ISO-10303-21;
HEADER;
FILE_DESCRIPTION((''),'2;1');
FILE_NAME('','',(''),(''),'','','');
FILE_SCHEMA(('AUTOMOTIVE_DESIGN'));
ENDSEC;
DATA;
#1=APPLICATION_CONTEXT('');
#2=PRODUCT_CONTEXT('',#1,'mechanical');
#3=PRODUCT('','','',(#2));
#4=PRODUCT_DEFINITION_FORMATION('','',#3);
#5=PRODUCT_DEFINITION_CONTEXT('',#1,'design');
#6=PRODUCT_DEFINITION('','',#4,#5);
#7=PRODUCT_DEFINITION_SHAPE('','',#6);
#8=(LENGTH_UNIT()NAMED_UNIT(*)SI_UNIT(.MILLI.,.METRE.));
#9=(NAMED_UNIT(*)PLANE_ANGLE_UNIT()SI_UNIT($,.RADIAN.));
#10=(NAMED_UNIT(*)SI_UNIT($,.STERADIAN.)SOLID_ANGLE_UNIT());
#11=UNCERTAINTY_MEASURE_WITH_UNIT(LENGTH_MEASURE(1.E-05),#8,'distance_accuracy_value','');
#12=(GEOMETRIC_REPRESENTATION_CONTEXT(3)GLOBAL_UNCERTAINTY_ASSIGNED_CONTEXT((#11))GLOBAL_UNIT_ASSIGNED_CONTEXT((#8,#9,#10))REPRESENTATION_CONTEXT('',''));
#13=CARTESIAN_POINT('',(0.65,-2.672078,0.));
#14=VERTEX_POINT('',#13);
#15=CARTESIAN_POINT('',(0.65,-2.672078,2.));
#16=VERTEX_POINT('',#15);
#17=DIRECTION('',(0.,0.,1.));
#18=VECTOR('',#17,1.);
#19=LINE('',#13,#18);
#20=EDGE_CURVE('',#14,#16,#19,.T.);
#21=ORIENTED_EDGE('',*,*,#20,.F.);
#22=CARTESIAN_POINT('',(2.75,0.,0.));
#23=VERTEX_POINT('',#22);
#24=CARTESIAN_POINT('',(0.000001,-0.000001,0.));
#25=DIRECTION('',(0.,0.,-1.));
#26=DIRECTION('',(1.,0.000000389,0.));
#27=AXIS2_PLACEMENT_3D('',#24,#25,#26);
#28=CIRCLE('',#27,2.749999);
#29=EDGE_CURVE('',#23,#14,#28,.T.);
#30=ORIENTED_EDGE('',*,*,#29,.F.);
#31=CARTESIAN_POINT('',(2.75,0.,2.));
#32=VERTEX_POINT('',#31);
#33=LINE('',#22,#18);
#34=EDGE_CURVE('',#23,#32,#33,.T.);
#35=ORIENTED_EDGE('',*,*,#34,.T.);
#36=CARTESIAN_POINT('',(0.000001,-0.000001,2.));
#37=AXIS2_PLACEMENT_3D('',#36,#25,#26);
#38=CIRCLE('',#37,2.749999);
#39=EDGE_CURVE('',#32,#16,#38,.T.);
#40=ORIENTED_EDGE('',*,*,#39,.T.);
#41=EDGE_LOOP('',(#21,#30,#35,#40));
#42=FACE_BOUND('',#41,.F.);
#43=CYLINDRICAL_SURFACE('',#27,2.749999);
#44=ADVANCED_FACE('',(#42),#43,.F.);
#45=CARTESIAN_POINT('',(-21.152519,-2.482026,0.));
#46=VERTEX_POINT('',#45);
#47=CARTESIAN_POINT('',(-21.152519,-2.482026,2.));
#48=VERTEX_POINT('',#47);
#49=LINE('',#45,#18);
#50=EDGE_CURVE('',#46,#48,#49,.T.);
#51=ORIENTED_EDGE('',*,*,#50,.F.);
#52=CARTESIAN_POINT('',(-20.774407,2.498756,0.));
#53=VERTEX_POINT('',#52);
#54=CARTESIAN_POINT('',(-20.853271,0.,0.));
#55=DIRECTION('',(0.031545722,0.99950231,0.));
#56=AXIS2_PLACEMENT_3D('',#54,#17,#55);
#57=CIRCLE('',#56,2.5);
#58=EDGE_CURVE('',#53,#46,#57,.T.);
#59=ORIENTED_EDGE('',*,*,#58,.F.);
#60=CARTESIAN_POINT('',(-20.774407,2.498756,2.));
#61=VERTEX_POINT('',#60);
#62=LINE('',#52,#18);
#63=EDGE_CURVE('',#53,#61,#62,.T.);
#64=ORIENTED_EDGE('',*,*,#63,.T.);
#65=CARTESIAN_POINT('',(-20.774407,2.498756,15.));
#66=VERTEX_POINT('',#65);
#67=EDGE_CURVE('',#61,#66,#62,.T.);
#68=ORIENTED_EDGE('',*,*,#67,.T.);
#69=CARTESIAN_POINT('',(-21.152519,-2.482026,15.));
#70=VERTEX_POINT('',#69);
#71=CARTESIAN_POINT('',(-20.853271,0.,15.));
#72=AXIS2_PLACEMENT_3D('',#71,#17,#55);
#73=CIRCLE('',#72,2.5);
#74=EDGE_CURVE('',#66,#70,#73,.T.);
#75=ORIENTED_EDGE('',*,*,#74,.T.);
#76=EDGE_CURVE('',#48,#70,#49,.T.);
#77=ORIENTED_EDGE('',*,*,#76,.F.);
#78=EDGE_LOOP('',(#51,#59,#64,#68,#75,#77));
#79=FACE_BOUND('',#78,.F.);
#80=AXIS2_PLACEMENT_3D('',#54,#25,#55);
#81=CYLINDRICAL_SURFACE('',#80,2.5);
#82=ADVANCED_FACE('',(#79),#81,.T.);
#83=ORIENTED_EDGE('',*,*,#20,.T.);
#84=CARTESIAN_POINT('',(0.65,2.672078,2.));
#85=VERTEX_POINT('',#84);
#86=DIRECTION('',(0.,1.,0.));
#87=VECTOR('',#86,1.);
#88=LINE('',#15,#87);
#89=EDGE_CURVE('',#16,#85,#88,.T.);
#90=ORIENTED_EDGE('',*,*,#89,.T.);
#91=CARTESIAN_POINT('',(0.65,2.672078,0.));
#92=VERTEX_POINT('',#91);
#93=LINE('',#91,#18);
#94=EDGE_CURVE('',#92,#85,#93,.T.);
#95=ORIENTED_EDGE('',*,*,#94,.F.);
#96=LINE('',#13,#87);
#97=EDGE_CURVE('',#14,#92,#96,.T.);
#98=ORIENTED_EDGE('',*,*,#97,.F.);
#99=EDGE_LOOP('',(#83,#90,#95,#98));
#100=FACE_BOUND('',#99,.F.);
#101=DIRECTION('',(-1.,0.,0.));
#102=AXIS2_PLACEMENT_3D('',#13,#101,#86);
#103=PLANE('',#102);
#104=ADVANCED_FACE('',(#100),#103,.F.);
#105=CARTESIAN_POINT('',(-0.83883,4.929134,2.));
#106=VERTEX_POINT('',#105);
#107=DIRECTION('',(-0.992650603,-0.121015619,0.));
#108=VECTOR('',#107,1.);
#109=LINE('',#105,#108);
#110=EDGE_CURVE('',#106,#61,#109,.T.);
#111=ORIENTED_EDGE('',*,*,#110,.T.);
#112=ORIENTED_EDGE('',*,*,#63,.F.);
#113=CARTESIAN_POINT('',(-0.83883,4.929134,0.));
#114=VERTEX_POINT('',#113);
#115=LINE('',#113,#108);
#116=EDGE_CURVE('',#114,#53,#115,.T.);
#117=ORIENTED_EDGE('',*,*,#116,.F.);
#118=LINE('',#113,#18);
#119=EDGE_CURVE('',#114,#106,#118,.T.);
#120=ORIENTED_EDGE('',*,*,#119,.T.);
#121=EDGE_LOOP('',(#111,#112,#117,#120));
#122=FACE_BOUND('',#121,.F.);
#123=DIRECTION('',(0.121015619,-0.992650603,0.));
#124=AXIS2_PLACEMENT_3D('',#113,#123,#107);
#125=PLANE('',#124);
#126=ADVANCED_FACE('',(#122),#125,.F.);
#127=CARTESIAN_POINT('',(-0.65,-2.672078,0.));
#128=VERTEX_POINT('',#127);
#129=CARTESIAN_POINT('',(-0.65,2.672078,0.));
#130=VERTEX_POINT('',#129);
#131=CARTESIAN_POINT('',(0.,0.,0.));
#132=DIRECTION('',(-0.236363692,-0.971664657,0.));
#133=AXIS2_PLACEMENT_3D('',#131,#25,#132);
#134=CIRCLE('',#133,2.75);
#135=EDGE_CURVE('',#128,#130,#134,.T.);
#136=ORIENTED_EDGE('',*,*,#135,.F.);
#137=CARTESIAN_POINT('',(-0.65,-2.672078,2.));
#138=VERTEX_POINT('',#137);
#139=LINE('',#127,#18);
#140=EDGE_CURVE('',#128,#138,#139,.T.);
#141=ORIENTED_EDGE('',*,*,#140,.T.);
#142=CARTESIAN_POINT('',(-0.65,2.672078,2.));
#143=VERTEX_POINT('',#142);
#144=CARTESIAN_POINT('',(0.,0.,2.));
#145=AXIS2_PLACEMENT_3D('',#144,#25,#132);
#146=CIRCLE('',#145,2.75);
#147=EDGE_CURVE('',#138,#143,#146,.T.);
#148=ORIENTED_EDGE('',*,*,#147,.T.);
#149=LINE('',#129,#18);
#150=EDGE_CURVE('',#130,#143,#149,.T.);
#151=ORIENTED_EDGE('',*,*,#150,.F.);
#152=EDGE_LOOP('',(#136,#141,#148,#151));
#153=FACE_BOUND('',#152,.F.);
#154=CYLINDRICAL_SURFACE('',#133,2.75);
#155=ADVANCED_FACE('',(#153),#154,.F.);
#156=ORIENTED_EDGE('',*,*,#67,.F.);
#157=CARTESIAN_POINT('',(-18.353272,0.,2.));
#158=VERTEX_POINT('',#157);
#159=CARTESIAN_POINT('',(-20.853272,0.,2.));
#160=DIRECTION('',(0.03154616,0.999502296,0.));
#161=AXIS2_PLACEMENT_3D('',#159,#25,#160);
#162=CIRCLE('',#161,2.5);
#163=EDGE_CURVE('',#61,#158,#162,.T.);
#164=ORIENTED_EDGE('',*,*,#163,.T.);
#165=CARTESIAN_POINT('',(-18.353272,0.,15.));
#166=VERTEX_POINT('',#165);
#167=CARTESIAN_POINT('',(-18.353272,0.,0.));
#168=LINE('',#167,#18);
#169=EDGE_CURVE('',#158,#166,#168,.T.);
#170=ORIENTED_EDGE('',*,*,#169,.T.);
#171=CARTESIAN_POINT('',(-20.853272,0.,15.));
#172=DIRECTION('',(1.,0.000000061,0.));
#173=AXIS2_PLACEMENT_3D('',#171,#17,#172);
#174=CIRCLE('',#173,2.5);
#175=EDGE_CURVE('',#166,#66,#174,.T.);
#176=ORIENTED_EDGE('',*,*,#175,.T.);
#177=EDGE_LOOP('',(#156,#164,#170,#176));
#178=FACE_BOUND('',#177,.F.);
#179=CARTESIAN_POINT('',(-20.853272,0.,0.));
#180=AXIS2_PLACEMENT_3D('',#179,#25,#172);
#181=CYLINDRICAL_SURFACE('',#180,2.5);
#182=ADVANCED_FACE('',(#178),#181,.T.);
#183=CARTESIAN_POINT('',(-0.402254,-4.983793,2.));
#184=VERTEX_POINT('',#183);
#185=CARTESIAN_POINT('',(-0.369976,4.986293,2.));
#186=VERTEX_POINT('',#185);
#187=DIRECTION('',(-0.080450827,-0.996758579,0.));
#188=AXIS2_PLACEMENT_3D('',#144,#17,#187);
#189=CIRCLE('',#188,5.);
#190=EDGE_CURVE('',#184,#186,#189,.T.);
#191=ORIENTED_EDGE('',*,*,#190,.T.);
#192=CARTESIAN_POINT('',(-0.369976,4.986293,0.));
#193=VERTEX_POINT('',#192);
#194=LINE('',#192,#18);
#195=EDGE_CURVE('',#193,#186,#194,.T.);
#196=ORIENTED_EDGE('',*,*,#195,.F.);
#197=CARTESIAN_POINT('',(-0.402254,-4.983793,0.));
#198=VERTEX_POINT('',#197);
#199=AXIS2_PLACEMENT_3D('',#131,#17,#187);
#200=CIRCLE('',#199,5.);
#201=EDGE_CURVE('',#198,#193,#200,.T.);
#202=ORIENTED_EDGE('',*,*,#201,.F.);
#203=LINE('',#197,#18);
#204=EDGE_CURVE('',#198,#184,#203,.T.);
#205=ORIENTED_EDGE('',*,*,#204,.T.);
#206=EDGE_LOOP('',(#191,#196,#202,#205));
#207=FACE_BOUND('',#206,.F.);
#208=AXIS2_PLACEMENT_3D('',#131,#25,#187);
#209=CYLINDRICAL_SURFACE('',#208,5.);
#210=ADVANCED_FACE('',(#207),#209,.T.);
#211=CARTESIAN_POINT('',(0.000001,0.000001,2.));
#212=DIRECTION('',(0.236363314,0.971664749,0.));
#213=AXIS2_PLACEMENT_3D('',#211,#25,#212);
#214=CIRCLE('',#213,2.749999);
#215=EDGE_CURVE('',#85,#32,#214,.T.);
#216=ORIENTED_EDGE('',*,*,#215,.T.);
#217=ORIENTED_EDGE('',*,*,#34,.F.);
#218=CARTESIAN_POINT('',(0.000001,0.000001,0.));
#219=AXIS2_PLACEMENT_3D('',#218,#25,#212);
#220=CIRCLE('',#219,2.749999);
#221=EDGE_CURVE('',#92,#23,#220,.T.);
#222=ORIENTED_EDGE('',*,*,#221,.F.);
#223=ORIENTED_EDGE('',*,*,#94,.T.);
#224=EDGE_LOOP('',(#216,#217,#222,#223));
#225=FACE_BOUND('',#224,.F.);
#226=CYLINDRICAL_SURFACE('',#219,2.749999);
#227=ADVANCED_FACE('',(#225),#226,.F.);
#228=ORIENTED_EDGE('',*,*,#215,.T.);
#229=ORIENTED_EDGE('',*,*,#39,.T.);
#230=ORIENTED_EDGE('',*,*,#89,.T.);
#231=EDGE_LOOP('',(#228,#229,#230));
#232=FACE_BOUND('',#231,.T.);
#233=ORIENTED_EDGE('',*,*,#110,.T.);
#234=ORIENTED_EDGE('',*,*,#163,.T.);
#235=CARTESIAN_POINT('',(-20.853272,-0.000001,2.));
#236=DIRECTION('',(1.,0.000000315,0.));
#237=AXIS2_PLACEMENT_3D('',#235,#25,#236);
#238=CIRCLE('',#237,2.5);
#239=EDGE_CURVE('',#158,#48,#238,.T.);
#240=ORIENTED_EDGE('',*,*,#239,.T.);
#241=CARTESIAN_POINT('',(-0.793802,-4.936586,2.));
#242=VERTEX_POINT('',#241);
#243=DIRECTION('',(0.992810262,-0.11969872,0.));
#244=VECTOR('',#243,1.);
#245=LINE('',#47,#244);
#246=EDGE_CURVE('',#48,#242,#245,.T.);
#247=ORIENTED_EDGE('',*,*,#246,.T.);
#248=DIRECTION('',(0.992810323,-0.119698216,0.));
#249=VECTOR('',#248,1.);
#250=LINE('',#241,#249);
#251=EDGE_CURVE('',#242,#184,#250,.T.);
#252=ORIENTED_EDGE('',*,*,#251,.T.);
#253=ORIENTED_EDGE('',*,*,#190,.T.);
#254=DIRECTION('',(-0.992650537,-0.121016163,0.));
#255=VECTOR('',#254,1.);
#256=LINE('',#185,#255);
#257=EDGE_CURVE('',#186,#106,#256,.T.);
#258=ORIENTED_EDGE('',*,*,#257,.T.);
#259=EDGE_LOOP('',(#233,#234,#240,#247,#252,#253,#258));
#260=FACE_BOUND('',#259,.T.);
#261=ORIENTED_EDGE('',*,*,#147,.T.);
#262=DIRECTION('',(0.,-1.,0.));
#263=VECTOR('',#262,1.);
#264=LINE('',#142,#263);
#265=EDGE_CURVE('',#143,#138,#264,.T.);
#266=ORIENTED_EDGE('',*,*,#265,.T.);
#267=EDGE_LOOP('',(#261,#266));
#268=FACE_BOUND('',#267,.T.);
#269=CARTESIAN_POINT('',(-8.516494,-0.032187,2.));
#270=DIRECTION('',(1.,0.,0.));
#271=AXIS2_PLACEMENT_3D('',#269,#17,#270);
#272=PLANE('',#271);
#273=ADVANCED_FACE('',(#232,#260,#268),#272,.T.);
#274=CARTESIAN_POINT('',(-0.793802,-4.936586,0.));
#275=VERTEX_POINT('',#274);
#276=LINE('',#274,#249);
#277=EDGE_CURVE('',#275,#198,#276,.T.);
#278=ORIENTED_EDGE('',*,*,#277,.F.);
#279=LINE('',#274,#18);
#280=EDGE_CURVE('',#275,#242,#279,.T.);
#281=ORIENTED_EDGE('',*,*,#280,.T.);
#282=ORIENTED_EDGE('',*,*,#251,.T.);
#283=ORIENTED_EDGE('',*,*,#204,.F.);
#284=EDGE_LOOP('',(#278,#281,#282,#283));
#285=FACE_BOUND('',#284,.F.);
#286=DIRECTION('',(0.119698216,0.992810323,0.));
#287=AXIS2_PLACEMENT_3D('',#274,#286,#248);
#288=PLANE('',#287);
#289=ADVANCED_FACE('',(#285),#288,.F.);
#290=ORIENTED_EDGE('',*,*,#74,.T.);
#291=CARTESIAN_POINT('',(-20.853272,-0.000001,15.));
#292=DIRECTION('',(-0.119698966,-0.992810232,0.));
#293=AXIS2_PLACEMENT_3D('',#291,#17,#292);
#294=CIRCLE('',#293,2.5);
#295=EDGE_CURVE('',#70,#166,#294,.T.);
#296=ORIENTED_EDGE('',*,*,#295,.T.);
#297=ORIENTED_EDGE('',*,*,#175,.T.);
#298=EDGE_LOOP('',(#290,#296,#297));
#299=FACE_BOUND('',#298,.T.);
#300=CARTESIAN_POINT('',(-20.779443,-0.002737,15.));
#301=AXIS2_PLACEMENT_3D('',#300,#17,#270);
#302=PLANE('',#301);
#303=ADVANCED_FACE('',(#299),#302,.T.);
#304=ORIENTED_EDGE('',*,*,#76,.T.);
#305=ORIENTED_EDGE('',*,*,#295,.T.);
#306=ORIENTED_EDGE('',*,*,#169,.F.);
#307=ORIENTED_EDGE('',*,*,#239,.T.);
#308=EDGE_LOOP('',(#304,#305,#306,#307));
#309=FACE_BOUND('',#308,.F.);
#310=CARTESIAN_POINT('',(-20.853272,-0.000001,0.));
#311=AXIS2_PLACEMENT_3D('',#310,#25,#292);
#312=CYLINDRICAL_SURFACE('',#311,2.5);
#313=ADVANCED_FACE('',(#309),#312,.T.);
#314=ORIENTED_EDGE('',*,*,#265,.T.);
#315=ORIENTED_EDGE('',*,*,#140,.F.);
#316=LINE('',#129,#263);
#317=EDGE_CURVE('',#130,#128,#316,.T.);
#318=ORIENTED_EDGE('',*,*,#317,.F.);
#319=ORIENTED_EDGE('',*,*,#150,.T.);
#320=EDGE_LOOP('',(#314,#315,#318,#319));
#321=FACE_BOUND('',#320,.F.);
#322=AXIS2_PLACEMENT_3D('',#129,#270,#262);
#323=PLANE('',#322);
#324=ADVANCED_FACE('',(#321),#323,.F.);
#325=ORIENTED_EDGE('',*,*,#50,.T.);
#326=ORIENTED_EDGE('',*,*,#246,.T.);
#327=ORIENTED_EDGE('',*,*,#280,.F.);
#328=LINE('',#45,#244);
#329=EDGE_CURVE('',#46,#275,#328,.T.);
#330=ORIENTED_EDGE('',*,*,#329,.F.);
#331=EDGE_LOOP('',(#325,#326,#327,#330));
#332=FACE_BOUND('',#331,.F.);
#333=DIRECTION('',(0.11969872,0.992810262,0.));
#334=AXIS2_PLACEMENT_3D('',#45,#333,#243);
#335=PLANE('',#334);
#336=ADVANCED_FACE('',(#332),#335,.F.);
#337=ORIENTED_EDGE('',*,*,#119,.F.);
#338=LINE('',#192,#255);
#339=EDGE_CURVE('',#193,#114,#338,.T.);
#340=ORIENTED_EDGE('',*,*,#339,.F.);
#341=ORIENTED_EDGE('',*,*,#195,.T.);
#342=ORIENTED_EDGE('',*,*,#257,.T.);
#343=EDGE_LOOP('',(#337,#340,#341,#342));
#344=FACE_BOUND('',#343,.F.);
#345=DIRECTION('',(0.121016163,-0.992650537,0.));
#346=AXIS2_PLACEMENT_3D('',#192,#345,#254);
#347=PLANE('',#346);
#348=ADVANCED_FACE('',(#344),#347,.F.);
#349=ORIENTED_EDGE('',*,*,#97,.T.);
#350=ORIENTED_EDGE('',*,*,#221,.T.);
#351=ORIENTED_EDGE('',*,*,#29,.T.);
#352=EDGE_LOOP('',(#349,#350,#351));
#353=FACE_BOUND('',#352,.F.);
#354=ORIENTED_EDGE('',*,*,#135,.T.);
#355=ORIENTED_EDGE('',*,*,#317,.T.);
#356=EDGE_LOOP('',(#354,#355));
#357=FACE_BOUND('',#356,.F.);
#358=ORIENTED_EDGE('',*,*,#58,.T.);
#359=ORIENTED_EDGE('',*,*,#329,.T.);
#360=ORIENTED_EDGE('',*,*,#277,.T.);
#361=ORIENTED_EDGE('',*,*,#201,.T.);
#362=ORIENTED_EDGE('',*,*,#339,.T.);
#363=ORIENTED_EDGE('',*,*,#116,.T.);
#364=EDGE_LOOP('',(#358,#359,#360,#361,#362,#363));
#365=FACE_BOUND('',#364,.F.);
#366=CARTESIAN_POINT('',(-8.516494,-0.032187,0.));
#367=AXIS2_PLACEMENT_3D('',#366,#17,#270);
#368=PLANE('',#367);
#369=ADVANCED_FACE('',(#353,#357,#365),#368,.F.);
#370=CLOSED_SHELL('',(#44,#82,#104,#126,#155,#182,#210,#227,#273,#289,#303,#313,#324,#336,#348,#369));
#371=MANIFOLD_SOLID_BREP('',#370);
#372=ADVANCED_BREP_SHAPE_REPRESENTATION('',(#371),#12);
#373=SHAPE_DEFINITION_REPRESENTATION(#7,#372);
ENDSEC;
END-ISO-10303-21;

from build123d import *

# Parameters (mm, degrees)
F1_DEPTH = 15
F2_DEPTH = 2


with BuildPart() as f1:
    # F0 (on Top) → F1 (new body)
    with BuildSketch(Plane.XY):
        with BuildLine():
            ThreePointArc((-20.774407, 2.498756), (-23.346099, 0.18924), (-21.152519, -2.482026))
            ThreePointArc((-21.152519, -2.482026), (-19.194675, -1.870577), (-18.353272, 0))
            ThreePointArc((-18.353272, 0), (-19.057839, 1.739661), (-20.774407, 2.498756))
        make_face()
    extrude(amount=F1_DEPTH)

    # F0 (on Top) → F2 (join)
    with BuildSketch(Plane.XY):
        with BuildLine():
            Line((-21.152519, -2.482026), (-0.793802, -4.936586))
            Line((-0.793802, -4.936586), (-0.402254, -4.983793))
            ThreePointArc((-0.402254, -4.983793), (4.999974, -0.016188), (-0.369976, 4.986293))
            Line((-0.369976, 4.986293), (-0.83883, 4.929134))
            Line((-0.83883, 4.929134), (-20.774407, 2.498756))
            ThreePointArc((-20.774407, 2.498756), (-19.057839, 1.739661), (-18.353272, 0))
            ThreePointArc((-18.353272, 0), (-19.194675, -1.870577), (-21.152519, -2.482026))
        make_face()
        with BuildLine():
            ThreePointArc((0.65, 2.672078), (2.162175, 1.699265), (2.75, 0))
            ThreePointArc((2.75, 0), (2.162175, -1.699265), (0.65, -2.672078))
            ThreePointArc((0.65, -2.672078), (0, -2.75), (-0.65, -2.672078))
            ThreePointArc((-0.65, -2.672078), (-2.75, 0), (-0.65, 2.672078))
            ThreePointArc((-0.65, 2.672078), (0, 2.75), (0.65, 2.672078))
        make_face(mode=Mode.SUBTRACT)
        with BuildLine():
            Line((0.65, -2.672078), (0.65, 2.672078))
            ThreePointArc((0.65, 2.672078), (0, 2.75), (-0.65, 2.672078))
            Line((-0.65, 2.672078), (-0.65, -2.672078))
            ThreePointArc((-0.65, -2.672078), (0, -2.75), (0.65, -2.672078))
        make_face()
    extrude(amount=F2_DEPTH)


solid = f1.part
